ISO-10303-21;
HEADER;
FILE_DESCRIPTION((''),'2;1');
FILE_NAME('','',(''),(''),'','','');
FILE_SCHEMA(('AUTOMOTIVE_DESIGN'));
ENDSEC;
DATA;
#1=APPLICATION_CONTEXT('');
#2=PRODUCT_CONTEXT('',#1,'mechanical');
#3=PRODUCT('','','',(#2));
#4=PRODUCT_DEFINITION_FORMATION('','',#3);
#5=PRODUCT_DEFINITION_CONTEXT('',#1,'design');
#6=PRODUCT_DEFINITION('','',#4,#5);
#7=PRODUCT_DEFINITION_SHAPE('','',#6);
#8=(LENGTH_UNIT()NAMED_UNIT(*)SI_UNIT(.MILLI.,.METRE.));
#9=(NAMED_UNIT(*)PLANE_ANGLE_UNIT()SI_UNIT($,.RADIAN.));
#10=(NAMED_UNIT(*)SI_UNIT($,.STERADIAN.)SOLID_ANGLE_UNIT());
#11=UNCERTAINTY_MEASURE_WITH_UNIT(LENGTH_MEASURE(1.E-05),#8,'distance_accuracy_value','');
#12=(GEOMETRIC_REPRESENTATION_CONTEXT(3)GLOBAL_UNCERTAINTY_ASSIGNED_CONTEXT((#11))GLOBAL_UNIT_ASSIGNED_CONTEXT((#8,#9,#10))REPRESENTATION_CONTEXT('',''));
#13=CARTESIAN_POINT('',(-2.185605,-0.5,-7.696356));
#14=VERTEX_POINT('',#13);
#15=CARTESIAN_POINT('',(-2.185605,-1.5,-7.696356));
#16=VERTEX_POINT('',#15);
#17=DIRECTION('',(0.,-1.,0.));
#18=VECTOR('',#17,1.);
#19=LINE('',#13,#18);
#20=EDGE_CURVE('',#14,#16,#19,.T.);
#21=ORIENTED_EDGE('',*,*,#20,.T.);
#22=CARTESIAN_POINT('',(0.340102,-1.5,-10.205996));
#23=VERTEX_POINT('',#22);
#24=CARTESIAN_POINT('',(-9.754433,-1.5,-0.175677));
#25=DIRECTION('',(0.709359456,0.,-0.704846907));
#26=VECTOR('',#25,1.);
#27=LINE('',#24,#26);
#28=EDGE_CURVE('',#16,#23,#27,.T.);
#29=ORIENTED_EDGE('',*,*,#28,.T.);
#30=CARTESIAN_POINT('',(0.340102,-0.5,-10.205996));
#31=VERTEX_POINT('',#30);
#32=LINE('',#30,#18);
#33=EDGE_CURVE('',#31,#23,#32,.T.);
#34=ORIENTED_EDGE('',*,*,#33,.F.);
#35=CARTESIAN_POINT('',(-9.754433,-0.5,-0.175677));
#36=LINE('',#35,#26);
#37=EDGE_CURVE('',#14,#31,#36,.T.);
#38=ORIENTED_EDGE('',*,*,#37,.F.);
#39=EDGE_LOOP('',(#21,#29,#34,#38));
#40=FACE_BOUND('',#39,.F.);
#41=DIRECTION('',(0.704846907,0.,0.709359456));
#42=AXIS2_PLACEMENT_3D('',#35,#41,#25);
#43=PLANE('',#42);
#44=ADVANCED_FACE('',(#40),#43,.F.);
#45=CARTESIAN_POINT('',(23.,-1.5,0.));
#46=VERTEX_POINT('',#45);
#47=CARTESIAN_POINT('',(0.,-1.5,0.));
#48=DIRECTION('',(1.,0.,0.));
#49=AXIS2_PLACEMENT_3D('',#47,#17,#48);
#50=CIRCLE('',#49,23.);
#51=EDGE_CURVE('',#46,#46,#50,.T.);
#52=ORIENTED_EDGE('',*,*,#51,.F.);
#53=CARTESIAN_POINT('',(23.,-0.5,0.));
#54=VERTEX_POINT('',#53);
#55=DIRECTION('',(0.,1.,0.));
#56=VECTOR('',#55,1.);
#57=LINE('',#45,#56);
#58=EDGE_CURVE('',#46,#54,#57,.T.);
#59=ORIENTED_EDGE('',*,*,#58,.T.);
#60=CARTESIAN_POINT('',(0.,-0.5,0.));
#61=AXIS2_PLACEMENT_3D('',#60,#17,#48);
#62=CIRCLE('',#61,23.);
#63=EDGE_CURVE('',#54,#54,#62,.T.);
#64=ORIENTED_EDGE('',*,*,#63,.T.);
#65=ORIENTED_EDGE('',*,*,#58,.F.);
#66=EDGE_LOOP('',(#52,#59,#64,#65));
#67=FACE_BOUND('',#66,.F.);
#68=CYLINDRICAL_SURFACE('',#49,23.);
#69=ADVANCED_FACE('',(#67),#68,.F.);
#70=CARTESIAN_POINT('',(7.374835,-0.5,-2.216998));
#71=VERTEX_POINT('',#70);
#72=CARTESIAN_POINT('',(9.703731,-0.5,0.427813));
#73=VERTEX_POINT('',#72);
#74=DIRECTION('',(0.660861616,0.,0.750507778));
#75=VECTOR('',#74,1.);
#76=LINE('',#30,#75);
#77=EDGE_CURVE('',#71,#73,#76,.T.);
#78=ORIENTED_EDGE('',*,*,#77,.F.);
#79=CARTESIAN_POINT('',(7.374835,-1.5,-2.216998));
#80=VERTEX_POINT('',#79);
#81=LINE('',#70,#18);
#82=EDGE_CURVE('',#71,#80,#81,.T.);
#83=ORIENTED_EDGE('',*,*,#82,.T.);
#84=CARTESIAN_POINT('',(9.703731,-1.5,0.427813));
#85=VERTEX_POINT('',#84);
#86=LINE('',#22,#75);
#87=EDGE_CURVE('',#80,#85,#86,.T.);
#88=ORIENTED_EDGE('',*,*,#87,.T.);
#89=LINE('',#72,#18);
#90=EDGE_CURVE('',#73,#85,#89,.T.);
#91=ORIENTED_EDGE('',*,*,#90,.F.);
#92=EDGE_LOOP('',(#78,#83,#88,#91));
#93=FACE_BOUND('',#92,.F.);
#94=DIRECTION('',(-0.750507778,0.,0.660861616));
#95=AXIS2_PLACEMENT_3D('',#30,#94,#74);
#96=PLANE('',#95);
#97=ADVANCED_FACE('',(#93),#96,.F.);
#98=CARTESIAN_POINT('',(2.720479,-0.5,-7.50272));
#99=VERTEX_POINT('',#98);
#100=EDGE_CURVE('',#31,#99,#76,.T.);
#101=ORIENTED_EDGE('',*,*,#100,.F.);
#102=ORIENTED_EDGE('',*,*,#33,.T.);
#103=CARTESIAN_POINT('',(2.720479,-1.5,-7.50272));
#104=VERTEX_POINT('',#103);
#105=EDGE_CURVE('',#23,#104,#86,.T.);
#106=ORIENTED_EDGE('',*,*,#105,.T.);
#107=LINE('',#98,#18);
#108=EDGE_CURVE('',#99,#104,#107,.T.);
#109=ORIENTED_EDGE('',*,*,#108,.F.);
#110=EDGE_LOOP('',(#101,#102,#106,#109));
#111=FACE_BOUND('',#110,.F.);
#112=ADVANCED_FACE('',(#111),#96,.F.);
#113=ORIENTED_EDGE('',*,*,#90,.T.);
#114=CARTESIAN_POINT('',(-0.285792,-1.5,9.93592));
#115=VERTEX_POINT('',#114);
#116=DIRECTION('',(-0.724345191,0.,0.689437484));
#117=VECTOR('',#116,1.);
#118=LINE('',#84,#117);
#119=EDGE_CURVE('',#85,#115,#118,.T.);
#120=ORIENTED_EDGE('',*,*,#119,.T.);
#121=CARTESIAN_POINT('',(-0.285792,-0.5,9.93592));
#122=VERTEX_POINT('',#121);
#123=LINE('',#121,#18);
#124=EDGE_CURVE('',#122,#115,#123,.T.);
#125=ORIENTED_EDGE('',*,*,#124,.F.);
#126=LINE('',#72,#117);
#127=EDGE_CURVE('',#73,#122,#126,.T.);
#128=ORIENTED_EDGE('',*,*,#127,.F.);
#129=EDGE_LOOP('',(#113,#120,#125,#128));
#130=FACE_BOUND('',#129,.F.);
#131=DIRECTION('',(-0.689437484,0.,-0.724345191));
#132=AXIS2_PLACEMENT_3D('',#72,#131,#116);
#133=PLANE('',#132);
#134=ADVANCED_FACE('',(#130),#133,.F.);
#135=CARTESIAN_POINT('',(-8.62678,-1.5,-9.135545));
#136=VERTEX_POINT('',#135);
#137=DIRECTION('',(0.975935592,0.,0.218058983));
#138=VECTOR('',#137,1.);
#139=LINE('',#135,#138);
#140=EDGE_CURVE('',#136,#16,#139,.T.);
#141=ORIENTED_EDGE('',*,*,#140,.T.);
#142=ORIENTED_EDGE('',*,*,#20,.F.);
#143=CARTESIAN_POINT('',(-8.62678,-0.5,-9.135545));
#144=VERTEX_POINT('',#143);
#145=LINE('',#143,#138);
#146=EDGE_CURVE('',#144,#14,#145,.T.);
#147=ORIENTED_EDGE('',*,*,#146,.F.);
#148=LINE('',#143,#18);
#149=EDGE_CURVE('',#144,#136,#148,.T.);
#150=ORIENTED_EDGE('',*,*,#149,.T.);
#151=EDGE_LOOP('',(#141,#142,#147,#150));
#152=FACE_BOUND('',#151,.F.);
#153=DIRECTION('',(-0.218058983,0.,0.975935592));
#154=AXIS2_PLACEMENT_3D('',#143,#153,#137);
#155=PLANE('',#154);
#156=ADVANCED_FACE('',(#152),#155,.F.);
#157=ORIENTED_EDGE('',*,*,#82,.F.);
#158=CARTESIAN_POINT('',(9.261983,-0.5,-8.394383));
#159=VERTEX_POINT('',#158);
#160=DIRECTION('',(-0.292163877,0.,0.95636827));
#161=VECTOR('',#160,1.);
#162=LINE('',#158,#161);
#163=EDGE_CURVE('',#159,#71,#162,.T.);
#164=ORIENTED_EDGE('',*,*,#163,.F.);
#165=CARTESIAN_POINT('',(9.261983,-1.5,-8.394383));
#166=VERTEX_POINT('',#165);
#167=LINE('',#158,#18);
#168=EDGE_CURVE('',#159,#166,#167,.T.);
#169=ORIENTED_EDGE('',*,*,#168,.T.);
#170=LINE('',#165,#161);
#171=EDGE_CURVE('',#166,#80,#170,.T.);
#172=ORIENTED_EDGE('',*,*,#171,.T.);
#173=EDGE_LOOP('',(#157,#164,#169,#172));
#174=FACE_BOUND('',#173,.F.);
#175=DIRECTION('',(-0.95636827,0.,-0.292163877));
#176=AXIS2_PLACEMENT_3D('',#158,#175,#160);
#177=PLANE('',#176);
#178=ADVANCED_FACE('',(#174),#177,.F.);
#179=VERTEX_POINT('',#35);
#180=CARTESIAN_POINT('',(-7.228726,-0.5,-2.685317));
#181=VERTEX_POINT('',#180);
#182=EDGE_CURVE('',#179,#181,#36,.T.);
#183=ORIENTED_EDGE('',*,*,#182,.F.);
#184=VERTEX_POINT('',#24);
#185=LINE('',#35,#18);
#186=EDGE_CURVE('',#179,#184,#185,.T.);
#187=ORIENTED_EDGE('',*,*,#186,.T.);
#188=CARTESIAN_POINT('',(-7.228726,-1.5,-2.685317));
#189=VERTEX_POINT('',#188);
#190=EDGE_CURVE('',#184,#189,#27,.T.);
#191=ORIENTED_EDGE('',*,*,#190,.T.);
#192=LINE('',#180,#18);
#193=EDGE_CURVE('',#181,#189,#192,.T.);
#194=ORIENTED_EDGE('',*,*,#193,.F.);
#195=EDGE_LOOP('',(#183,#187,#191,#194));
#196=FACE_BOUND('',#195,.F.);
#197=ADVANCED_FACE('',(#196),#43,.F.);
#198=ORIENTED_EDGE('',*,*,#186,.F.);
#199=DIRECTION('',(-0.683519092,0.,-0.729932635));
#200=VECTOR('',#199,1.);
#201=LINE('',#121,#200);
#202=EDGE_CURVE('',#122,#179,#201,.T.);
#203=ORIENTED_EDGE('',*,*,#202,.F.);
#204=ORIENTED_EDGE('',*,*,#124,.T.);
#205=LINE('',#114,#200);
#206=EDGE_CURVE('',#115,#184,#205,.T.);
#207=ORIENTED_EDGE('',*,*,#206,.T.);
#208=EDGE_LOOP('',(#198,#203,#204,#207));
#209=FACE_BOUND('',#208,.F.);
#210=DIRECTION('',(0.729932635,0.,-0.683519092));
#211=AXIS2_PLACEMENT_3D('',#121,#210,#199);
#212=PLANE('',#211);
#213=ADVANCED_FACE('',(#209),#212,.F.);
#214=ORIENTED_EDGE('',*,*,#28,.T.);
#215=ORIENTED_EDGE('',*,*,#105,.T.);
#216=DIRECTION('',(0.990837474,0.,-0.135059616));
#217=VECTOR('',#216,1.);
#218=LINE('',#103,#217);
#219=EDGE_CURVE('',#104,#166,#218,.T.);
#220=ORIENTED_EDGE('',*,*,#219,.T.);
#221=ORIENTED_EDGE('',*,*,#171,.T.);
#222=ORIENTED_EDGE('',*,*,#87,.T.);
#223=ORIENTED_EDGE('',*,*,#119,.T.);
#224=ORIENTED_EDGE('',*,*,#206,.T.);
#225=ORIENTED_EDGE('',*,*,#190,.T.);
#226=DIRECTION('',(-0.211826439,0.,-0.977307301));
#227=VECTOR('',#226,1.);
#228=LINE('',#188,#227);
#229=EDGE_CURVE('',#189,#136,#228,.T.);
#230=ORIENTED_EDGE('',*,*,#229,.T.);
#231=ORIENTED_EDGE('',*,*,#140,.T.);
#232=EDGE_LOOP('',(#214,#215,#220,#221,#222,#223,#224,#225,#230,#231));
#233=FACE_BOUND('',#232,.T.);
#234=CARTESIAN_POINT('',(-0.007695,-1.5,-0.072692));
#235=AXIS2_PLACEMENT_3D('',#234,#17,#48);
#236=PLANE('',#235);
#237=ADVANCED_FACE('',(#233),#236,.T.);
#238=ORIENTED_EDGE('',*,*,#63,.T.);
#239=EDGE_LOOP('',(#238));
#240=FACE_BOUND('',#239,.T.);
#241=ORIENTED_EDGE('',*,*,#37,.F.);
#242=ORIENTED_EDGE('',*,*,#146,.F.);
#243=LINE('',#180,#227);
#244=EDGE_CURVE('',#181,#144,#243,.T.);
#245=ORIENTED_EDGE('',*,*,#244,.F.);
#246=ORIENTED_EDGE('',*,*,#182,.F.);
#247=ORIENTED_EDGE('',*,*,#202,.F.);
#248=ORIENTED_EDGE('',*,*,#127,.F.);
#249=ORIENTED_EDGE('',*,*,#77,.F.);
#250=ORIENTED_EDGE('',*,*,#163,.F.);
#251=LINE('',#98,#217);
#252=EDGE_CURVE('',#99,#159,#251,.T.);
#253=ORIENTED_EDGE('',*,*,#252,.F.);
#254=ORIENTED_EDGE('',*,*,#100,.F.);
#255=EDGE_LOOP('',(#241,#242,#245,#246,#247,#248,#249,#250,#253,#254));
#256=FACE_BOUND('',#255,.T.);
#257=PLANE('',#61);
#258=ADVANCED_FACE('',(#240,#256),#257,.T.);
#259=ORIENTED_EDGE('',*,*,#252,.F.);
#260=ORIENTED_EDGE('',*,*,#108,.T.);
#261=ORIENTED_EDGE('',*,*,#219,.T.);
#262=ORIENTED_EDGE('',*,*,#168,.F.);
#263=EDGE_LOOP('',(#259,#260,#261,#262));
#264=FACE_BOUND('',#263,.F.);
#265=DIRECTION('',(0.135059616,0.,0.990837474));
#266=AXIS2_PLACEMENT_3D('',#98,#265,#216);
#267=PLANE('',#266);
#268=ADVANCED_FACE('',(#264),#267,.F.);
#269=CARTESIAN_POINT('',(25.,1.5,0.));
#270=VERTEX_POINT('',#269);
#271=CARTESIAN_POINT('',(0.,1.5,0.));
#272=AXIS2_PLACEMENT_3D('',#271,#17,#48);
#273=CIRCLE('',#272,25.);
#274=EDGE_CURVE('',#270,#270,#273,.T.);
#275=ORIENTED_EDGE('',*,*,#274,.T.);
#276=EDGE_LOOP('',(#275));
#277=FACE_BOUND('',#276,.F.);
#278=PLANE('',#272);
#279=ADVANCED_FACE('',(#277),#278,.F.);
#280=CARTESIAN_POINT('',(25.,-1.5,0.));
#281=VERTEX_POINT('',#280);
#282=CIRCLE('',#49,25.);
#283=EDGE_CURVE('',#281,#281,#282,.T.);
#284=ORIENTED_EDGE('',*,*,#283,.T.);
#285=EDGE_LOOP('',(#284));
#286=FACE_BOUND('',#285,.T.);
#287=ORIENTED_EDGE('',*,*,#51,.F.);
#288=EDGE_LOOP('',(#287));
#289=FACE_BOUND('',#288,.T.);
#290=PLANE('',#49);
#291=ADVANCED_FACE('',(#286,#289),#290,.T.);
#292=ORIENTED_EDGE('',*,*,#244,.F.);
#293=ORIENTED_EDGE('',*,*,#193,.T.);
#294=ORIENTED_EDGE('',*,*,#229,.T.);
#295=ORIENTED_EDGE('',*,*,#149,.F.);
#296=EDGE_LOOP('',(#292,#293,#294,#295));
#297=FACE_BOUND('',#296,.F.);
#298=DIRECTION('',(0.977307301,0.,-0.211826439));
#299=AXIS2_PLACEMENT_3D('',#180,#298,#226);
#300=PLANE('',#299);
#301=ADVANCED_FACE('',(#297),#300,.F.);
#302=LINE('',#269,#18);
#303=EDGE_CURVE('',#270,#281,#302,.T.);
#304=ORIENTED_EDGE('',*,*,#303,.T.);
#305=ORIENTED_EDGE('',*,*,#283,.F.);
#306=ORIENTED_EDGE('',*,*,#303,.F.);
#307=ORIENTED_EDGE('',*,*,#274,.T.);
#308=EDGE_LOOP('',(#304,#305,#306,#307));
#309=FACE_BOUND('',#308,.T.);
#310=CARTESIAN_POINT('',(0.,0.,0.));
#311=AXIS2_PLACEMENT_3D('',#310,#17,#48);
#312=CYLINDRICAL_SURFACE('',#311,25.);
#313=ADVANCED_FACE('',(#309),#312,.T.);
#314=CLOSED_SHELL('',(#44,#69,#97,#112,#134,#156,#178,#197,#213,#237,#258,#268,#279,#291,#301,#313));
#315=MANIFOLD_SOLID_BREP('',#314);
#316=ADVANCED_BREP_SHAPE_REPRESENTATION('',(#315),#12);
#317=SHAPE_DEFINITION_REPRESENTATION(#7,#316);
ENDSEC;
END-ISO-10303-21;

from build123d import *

# Parameters (mm, degrees)
F0_R     = 25
F1_DEPTH = 1.5
F2_R     = 23
F3_DEPTH = 1
F5_DEPTH = 1
F7_DEPTH = 1


with BuildPart() as f1:
    # F0 (on Front) → F1 (new body, symmetric)
    with BuildSketch(Plane.XZ):
        Circle(F0_R)
    extrude(amount=F1_DEPTH, both=True)

    # F2 (on face) → F3 (cut)
    with BuildSketch(Plane.XZ.offset(1.5)):
        Circle(F2_R)
    extrude(amount=-F3_DEPTH, mode=Mode.SUBTRACT)

    # F4 (on face) → F5 (join)
    with BuildSketch(Plane.XZ.offset(0.5)):
        Polygon((9.7037305963, 0.4278131442), (-0.2857921618, 9.9359199418), (-9.7544326689, -0.1756772261), (0.3401018036, -10.2059959115), align=None)
    extrude(amount=F5_DEPTH)

    # F6 (on face) → F7 (join)
    with BuildSketch(Plane.XZ.offset(0.5)):
        Polygon((7.3748351342, -2.2169979865), (2.7204787029, -7.5027198647), (9.2619833934, -8.3943828612), align=None)
        Polygon((-2.1856052259, -7.6963560187), (-7.2287256394, -2.6853171189), (-8.6267801345, -9.1355453032), align=None)
    extrude(amount=F7_DEPTH)


solid = f1.part
